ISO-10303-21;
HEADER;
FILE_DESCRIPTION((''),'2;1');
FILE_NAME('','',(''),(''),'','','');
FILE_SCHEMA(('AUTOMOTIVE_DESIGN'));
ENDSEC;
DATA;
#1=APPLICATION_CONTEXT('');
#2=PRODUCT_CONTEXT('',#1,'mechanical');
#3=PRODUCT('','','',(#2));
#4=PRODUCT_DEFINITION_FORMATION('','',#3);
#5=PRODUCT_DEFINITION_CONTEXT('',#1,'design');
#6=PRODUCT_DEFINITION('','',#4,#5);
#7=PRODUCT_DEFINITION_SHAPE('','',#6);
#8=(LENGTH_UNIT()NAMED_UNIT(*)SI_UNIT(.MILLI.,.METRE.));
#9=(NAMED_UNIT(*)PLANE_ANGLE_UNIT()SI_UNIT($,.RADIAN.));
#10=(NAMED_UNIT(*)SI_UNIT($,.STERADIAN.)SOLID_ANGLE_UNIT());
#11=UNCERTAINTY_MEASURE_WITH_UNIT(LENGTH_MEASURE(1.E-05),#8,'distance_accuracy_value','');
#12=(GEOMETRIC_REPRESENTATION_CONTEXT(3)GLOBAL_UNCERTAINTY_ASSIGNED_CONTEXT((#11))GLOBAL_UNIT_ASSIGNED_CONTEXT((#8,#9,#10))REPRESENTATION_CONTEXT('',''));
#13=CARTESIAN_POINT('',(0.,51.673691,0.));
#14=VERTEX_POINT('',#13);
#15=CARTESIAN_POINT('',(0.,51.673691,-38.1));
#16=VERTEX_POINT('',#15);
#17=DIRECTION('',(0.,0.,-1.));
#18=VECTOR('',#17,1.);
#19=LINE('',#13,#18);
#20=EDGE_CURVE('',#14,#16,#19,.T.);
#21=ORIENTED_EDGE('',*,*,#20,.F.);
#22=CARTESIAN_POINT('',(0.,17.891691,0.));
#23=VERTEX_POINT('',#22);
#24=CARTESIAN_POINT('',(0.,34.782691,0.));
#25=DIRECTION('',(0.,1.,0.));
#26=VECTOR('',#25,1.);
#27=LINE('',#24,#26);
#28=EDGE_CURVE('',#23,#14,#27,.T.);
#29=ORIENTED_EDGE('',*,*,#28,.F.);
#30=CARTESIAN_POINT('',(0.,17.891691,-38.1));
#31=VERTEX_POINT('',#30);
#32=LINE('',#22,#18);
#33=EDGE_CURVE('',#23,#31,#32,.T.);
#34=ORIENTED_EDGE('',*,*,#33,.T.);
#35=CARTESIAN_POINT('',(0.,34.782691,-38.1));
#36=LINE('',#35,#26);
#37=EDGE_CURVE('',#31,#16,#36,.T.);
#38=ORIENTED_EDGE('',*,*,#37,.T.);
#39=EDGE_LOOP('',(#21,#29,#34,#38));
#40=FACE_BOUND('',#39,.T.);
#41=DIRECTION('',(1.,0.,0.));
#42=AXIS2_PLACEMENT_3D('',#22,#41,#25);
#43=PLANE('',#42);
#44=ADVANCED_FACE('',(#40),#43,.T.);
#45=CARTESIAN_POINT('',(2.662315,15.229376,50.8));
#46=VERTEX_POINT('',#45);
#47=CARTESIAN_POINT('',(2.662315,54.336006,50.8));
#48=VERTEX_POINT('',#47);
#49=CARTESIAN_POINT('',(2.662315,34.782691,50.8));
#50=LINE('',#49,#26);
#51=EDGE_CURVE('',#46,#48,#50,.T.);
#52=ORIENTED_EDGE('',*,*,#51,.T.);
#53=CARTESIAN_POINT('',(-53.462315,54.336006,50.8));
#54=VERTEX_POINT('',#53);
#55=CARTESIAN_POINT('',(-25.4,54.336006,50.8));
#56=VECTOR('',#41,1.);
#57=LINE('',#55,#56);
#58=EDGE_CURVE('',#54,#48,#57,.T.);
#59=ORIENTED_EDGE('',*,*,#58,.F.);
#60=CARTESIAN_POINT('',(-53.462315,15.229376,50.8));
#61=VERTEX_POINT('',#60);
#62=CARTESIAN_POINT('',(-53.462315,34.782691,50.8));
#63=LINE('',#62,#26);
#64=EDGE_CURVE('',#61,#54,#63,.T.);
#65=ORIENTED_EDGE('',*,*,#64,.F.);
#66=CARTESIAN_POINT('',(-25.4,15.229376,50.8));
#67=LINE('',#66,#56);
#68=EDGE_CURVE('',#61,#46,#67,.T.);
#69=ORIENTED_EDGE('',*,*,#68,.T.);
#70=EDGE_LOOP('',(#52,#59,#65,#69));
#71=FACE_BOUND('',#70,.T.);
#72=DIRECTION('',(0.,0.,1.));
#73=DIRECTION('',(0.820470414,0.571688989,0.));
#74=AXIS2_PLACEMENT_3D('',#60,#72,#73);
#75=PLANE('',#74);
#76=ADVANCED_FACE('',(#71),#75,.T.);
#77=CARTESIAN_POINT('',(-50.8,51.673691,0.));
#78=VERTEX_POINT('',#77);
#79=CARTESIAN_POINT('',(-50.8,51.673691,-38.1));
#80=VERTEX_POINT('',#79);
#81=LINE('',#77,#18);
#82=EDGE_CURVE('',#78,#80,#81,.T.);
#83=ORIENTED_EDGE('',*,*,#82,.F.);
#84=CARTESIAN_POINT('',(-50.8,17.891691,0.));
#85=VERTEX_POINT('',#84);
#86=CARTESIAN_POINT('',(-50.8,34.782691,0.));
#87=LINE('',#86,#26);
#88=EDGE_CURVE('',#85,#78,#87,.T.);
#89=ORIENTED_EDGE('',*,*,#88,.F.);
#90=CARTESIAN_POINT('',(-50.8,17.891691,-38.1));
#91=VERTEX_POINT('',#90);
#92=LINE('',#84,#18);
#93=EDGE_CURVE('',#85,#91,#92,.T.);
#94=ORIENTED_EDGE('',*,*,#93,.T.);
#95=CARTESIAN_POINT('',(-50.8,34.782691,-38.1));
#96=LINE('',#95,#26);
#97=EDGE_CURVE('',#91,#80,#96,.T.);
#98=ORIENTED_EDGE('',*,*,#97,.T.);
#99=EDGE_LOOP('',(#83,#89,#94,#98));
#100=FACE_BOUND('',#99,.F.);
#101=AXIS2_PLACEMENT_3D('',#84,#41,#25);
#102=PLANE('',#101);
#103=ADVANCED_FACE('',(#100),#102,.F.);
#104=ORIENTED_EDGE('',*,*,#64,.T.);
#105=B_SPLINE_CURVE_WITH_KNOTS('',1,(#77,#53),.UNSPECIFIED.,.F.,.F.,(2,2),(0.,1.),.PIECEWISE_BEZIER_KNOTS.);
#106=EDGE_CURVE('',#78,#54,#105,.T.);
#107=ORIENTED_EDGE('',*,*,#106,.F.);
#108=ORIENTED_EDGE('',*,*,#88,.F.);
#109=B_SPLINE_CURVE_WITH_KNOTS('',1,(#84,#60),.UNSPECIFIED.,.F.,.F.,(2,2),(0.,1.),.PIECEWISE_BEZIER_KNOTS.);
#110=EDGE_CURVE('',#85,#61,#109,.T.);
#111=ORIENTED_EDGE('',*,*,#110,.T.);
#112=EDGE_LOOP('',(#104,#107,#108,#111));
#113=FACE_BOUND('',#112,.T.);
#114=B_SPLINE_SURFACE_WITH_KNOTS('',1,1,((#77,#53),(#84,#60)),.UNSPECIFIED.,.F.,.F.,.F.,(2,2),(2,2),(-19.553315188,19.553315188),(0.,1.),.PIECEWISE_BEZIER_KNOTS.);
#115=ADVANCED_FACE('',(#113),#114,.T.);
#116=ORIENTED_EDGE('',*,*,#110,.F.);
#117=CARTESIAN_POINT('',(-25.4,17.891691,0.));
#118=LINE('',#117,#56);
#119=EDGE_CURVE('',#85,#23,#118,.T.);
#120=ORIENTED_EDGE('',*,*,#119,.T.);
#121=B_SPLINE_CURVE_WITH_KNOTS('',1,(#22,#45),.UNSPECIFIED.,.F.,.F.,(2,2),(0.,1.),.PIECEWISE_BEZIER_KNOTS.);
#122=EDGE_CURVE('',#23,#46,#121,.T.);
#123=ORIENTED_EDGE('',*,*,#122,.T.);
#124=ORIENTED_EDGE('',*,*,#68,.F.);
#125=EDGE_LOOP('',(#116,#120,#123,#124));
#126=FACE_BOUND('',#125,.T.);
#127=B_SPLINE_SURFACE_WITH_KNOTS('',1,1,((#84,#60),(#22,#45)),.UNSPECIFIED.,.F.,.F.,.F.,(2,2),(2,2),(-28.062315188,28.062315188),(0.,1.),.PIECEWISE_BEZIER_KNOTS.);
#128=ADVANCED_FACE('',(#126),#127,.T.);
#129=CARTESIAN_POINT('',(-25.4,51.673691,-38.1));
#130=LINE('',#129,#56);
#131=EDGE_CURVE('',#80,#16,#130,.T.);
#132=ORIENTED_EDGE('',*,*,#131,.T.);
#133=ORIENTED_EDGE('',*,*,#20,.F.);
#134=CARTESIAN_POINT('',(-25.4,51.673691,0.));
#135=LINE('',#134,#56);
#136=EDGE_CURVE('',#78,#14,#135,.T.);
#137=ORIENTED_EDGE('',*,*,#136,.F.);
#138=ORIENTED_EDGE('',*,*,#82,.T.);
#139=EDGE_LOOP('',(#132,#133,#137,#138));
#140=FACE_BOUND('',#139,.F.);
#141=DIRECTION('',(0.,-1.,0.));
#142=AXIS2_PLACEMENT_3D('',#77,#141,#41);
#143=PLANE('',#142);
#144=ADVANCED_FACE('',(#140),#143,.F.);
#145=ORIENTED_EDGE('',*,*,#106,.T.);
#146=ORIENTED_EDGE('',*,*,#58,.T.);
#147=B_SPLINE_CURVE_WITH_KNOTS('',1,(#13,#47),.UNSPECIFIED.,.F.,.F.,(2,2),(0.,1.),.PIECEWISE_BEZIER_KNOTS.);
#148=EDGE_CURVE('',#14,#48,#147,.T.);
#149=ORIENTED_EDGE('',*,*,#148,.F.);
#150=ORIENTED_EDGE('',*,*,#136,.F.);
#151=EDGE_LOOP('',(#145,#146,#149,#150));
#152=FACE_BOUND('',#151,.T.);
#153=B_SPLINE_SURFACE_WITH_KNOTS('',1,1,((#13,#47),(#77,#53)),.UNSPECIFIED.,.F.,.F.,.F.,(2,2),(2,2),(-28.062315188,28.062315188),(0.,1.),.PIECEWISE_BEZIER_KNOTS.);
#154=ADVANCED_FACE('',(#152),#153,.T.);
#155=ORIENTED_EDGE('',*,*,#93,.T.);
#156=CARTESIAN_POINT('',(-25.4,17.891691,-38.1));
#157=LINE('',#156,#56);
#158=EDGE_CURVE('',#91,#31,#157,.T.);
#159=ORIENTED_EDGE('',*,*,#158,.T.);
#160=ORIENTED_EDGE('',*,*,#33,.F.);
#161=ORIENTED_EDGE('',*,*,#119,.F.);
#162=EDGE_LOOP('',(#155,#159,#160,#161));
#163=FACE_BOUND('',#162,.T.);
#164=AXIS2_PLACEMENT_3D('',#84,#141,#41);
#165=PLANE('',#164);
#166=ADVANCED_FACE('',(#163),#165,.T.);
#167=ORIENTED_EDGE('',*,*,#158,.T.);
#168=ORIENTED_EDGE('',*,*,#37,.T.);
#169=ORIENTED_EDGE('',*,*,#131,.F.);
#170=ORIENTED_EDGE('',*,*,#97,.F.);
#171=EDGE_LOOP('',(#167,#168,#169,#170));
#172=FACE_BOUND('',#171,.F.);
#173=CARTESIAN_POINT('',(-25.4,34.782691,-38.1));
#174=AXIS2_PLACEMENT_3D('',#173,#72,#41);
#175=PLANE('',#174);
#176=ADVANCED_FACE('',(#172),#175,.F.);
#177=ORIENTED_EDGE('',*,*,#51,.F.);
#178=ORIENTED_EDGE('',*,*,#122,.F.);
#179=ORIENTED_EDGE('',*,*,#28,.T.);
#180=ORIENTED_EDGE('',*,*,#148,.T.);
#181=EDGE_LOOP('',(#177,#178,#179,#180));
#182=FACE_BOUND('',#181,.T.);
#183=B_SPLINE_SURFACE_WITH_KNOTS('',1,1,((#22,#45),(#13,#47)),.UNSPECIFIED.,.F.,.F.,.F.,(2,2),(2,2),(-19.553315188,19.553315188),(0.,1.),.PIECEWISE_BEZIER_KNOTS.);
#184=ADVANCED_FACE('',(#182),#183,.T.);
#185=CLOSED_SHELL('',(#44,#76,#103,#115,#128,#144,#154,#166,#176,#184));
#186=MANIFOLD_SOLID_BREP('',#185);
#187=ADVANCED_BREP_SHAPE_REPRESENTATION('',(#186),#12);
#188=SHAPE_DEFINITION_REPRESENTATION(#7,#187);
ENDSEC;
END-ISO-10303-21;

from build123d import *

# Parameters (mm, degrees)
F0_W          = 50.8
F0_H          = 33.782
F1_DEPTH      = 50.8
F1_TAPER      = -3
F1_DEPTH_BACK = 38.1


with BuildPart() as f1:
    # F0 (on Top) → F1 (new body, two sides)
    with BuildSketch(Plane.XY) as f1_sk:
        with Locations((-25.4, 34.7826908746)):
            Rectangle(F0_W, F0_H)
    extrude(amount=F1_DEPTH, taper=F1_TAPER)
    extrude(f1_sk.sketch, amount=-F1_DEPTH_BACK)


solid = f1.part
